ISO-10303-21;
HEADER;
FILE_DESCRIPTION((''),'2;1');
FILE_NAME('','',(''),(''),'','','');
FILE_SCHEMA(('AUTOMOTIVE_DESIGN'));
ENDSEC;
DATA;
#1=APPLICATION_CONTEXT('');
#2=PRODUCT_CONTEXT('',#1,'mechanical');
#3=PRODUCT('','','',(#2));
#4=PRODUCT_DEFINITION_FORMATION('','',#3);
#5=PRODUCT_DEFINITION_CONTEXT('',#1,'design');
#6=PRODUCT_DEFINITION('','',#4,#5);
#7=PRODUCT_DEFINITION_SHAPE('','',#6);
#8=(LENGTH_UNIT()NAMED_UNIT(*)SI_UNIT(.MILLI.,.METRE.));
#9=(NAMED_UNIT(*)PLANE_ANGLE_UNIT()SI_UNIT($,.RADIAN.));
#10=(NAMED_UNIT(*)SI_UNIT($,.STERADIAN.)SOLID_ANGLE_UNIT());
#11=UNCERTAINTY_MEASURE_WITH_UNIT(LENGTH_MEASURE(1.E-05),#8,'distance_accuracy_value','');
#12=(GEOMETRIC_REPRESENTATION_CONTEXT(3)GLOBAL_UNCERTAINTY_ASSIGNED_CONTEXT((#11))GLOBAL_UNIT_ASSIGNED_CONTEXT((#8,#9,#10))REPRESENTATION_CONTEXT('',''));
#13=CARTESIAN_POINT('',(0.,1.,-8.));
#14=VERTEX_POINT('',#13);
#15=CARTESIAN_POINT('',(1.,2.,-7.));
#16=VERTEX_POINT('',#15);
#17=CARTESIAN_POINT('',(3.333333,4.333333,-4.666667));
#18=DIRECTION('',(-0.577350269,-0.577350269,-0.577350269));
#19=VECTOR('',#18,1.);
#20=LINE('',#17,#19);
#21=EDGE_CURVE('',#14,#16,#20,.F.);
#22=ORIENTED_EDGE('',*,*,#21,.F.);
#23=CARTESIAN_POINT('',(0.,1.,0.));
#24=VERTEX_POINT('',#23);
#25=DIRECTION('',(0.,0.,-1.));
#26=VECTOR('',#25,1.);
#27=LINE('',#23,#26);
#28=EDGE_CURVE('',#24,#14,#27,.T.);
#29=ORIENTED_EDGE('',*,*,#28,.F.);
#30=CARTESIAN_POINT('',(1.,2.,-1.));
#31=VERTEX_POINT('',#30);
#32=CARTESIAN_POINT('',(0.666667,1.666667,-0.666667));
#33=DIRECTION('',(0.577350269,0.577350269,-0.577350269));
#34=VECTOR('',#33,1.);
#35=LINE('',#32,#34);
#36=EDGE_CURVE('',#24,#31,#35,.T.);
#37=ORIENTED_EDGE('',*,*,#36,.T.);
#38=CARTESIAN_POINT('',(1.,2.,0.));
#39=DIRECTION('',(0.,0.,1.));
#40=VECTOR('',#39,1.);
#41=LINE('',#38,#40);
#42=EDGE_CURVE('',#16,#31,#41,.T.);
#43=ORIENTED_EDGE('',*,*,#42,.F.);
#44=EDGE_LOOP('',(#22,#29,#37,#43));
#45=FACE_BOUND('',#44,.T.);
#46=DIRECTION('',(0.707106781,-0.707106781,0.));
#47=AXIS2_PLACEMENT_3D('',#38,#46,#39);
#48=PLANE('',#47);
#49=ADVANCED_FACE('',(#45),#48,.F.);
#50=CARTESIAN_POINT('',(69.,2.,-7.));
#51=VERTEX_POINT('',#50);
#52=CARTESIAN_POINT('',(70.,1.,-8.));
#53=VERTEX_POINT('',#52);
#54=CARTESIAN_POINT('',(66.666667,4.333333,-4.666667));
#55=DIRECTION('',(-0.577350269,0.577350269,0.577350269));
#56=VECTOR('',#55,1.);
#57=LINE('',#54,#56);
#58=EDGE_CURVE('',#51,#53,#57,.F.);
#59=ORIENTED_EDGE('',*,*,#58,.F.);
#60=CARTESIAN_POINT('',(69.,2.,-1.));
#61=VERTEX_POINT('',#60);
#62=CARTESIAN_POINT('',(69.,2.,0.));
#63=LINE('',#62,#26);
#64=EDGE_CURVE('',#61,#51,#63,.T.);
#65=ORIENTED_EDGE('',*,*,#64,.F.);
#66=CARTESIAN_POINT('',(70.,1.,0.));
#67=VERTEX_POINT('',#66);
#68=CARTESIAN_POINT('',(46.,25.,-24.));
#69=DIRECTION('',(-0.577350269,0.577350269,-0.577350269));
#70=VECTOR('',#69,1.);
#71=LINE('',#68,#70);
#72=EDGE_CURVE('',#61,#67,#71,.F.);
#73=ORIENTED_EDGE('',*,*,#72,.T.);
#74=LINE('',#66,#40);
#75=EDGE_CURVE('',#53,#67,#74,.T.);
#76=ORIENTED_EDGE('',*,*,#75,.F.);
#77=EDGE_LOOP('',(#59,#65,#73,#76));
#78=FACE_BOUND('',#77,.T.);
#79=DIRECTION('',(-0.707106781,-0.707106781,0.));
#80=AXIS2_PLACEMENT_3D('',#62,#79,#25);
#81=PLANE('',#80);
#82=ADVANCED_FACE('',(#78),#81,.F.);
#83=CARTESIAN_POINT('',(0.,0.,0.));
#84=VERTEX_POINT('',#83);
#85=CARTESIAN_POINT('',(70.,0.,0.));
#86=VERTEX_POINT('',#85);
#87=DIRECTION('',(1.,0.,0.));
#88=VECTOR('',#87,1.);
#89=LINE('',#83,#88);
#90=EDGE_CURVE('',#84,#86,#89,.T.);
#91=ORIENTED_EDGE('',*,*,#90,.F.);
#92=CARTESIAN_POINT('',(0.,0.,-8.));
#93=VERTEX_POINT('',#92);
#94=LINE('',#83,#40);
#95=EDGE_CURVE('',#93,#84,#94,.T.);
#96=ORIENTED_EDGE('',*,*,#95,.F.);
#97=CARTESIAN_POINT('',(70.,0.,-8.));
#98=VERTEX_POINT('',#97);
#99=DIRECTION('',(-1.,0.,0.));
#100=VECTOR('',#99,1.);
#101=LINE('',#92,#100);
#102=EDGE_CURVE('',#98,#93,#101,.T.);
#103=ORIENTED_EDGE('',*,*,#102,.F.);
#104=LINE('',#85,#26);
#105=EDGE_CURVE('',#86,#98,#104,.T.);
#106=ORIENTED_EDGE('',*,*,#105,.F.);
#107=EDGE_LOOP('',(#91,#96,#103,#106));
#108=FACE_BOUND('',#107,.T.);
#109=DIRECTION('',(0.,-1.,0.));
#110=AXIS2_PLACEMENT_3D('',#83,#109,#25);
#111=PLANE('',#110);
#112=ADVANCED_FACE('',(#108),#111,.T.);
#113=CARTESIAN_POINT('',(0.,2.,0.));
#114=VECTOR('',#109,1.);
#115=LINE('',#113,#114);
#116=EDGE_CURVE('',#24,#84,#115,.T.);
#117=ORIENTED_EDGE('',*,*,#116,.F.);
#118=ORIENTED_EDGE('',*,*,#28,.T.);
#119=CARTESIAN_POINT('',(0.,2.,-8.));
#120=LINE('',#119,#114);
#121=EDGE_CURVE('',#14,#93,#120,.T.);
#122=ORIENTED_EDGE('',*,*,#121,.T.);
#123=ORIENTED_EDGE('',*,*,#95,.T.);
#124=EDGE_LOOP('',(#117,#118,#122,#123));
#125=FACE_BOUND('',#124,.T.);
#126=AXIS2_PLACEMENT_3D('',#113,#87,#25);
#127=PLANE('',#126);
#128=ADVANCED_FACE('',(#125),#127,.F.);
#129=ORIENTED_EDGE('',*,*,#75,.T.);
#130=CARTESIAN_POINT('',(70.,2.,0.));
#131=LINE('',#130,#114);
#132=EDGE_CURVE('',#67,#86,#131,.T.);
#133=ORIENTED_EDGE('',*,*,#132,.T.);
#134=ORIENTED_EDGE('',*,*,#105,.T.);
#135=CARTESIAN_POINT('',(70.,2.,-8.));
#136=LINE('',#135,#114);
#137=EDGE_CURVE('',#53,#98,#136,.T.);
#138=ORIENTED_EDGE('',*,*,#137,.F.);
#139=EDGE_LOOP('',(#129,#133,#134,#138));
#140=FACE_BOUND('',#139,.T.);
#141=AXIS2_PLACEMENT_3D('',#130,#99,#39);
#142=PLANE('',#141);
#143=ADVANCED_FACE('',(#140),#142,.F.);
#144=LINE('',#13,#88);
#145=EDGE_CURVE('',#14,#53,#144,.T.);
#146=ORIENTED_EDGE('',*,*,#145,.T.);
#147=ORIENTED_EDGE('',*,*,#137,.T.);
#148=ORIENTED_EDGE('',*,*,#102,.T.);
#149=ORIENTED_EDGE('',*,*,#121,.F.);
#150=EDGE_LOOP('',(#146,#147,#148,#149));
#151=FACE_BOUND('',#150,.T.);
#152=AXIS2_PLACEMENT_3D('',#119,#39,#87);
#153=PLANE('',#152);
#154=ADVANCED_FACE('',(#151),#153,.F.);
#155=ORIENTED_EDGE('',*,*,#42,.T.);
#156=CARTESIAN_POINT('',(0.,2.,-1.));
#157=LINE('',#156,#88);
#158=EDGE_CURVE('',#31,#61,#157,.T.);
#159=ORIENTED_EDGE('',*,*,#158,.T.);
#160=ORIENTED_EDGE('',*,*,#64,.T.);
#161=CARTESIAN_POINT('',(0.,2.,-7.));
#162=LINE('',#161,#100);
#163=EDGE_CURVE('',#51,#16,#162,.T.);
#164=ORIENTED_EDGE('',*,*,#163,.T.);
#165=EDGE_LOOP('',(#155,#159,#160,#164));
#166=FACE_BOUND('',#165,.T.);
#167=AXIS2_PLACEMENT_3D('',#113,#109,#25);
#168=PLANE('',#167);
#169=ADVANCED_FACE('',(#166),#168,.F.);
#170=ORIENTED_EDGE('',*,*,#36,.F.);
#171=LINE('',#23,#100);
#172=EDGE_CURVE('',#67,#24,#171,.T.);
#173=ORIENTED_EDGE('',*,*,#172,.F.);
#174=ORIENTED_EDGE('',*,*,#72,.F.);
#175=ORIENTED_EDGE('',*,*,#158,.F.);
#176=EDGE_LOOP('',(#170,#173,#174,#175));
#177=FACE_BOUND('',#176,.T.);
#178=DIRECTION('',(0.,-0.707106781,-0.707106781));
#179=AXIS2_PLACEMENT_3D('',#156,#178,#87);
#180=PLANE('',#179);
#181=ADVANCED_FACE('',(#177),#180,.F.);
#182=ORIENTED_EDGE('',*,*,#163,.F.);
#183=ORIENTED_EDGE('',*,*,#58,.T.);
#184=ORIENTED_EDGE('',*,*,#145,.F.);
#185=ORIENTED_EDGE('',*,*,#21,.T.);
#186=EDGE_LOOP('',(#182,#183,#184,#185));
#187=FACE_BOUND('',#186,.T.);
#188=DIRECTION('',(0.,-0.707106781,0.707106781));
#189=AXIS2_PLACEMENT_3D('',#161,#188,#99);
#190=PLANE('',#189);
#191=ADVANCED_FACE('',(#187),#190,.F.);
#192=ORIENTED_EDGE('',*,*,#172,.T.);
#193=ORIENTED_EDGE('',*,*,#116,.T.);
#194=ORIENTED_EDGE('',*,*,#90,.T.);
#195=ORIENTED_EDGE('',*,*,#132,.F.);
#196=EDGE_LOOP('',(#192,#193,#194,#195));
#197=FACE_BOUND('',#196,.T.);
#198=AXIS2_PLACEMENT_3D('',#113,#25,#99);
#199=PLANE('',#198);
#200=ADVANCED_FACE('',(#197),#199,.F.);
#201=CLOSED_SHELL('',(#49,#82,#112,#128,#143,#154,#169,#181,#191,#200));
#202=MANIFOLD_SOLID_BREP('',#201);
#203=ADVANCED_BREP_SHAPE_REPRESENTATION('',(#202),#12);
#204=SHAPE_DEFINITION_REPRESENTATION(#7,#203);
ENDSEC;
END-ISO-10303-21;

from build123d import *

# Parameters (mm, degrees)
SKETCH1_W           = 70
SKETCH1_H           = 8
BOSS_EXTRUDE1_DEPTH = 2
CHAMFER1_SIZE       = 1


with BuildPart() as part:
    # Sketch1 → Boss-Extrude1 (new body)
    with BuildSketch(Plane(origin=(0, 0, 0), x_dir=(1, 0, 0), z_dir=(0, 1, 0))):
        with Locations((35, 4)):
            Rectangle(SKETCH1_W, SKETCH1_H)
    extrude(amount=BOSS_EXTRUDE1_DEPTH)

    # Chamfer1
    chamfer1_edges = [part.edges().sort_by_distance(p)[0] for p in [
        (70, 2, -4),
        (35, 2, -8),
        (0, 2, -4),
        (35, 2, 0),
    ]]
    chamfer(chamfer1_edges, length=CHAMFER1_SIZE)


solid = part.part
